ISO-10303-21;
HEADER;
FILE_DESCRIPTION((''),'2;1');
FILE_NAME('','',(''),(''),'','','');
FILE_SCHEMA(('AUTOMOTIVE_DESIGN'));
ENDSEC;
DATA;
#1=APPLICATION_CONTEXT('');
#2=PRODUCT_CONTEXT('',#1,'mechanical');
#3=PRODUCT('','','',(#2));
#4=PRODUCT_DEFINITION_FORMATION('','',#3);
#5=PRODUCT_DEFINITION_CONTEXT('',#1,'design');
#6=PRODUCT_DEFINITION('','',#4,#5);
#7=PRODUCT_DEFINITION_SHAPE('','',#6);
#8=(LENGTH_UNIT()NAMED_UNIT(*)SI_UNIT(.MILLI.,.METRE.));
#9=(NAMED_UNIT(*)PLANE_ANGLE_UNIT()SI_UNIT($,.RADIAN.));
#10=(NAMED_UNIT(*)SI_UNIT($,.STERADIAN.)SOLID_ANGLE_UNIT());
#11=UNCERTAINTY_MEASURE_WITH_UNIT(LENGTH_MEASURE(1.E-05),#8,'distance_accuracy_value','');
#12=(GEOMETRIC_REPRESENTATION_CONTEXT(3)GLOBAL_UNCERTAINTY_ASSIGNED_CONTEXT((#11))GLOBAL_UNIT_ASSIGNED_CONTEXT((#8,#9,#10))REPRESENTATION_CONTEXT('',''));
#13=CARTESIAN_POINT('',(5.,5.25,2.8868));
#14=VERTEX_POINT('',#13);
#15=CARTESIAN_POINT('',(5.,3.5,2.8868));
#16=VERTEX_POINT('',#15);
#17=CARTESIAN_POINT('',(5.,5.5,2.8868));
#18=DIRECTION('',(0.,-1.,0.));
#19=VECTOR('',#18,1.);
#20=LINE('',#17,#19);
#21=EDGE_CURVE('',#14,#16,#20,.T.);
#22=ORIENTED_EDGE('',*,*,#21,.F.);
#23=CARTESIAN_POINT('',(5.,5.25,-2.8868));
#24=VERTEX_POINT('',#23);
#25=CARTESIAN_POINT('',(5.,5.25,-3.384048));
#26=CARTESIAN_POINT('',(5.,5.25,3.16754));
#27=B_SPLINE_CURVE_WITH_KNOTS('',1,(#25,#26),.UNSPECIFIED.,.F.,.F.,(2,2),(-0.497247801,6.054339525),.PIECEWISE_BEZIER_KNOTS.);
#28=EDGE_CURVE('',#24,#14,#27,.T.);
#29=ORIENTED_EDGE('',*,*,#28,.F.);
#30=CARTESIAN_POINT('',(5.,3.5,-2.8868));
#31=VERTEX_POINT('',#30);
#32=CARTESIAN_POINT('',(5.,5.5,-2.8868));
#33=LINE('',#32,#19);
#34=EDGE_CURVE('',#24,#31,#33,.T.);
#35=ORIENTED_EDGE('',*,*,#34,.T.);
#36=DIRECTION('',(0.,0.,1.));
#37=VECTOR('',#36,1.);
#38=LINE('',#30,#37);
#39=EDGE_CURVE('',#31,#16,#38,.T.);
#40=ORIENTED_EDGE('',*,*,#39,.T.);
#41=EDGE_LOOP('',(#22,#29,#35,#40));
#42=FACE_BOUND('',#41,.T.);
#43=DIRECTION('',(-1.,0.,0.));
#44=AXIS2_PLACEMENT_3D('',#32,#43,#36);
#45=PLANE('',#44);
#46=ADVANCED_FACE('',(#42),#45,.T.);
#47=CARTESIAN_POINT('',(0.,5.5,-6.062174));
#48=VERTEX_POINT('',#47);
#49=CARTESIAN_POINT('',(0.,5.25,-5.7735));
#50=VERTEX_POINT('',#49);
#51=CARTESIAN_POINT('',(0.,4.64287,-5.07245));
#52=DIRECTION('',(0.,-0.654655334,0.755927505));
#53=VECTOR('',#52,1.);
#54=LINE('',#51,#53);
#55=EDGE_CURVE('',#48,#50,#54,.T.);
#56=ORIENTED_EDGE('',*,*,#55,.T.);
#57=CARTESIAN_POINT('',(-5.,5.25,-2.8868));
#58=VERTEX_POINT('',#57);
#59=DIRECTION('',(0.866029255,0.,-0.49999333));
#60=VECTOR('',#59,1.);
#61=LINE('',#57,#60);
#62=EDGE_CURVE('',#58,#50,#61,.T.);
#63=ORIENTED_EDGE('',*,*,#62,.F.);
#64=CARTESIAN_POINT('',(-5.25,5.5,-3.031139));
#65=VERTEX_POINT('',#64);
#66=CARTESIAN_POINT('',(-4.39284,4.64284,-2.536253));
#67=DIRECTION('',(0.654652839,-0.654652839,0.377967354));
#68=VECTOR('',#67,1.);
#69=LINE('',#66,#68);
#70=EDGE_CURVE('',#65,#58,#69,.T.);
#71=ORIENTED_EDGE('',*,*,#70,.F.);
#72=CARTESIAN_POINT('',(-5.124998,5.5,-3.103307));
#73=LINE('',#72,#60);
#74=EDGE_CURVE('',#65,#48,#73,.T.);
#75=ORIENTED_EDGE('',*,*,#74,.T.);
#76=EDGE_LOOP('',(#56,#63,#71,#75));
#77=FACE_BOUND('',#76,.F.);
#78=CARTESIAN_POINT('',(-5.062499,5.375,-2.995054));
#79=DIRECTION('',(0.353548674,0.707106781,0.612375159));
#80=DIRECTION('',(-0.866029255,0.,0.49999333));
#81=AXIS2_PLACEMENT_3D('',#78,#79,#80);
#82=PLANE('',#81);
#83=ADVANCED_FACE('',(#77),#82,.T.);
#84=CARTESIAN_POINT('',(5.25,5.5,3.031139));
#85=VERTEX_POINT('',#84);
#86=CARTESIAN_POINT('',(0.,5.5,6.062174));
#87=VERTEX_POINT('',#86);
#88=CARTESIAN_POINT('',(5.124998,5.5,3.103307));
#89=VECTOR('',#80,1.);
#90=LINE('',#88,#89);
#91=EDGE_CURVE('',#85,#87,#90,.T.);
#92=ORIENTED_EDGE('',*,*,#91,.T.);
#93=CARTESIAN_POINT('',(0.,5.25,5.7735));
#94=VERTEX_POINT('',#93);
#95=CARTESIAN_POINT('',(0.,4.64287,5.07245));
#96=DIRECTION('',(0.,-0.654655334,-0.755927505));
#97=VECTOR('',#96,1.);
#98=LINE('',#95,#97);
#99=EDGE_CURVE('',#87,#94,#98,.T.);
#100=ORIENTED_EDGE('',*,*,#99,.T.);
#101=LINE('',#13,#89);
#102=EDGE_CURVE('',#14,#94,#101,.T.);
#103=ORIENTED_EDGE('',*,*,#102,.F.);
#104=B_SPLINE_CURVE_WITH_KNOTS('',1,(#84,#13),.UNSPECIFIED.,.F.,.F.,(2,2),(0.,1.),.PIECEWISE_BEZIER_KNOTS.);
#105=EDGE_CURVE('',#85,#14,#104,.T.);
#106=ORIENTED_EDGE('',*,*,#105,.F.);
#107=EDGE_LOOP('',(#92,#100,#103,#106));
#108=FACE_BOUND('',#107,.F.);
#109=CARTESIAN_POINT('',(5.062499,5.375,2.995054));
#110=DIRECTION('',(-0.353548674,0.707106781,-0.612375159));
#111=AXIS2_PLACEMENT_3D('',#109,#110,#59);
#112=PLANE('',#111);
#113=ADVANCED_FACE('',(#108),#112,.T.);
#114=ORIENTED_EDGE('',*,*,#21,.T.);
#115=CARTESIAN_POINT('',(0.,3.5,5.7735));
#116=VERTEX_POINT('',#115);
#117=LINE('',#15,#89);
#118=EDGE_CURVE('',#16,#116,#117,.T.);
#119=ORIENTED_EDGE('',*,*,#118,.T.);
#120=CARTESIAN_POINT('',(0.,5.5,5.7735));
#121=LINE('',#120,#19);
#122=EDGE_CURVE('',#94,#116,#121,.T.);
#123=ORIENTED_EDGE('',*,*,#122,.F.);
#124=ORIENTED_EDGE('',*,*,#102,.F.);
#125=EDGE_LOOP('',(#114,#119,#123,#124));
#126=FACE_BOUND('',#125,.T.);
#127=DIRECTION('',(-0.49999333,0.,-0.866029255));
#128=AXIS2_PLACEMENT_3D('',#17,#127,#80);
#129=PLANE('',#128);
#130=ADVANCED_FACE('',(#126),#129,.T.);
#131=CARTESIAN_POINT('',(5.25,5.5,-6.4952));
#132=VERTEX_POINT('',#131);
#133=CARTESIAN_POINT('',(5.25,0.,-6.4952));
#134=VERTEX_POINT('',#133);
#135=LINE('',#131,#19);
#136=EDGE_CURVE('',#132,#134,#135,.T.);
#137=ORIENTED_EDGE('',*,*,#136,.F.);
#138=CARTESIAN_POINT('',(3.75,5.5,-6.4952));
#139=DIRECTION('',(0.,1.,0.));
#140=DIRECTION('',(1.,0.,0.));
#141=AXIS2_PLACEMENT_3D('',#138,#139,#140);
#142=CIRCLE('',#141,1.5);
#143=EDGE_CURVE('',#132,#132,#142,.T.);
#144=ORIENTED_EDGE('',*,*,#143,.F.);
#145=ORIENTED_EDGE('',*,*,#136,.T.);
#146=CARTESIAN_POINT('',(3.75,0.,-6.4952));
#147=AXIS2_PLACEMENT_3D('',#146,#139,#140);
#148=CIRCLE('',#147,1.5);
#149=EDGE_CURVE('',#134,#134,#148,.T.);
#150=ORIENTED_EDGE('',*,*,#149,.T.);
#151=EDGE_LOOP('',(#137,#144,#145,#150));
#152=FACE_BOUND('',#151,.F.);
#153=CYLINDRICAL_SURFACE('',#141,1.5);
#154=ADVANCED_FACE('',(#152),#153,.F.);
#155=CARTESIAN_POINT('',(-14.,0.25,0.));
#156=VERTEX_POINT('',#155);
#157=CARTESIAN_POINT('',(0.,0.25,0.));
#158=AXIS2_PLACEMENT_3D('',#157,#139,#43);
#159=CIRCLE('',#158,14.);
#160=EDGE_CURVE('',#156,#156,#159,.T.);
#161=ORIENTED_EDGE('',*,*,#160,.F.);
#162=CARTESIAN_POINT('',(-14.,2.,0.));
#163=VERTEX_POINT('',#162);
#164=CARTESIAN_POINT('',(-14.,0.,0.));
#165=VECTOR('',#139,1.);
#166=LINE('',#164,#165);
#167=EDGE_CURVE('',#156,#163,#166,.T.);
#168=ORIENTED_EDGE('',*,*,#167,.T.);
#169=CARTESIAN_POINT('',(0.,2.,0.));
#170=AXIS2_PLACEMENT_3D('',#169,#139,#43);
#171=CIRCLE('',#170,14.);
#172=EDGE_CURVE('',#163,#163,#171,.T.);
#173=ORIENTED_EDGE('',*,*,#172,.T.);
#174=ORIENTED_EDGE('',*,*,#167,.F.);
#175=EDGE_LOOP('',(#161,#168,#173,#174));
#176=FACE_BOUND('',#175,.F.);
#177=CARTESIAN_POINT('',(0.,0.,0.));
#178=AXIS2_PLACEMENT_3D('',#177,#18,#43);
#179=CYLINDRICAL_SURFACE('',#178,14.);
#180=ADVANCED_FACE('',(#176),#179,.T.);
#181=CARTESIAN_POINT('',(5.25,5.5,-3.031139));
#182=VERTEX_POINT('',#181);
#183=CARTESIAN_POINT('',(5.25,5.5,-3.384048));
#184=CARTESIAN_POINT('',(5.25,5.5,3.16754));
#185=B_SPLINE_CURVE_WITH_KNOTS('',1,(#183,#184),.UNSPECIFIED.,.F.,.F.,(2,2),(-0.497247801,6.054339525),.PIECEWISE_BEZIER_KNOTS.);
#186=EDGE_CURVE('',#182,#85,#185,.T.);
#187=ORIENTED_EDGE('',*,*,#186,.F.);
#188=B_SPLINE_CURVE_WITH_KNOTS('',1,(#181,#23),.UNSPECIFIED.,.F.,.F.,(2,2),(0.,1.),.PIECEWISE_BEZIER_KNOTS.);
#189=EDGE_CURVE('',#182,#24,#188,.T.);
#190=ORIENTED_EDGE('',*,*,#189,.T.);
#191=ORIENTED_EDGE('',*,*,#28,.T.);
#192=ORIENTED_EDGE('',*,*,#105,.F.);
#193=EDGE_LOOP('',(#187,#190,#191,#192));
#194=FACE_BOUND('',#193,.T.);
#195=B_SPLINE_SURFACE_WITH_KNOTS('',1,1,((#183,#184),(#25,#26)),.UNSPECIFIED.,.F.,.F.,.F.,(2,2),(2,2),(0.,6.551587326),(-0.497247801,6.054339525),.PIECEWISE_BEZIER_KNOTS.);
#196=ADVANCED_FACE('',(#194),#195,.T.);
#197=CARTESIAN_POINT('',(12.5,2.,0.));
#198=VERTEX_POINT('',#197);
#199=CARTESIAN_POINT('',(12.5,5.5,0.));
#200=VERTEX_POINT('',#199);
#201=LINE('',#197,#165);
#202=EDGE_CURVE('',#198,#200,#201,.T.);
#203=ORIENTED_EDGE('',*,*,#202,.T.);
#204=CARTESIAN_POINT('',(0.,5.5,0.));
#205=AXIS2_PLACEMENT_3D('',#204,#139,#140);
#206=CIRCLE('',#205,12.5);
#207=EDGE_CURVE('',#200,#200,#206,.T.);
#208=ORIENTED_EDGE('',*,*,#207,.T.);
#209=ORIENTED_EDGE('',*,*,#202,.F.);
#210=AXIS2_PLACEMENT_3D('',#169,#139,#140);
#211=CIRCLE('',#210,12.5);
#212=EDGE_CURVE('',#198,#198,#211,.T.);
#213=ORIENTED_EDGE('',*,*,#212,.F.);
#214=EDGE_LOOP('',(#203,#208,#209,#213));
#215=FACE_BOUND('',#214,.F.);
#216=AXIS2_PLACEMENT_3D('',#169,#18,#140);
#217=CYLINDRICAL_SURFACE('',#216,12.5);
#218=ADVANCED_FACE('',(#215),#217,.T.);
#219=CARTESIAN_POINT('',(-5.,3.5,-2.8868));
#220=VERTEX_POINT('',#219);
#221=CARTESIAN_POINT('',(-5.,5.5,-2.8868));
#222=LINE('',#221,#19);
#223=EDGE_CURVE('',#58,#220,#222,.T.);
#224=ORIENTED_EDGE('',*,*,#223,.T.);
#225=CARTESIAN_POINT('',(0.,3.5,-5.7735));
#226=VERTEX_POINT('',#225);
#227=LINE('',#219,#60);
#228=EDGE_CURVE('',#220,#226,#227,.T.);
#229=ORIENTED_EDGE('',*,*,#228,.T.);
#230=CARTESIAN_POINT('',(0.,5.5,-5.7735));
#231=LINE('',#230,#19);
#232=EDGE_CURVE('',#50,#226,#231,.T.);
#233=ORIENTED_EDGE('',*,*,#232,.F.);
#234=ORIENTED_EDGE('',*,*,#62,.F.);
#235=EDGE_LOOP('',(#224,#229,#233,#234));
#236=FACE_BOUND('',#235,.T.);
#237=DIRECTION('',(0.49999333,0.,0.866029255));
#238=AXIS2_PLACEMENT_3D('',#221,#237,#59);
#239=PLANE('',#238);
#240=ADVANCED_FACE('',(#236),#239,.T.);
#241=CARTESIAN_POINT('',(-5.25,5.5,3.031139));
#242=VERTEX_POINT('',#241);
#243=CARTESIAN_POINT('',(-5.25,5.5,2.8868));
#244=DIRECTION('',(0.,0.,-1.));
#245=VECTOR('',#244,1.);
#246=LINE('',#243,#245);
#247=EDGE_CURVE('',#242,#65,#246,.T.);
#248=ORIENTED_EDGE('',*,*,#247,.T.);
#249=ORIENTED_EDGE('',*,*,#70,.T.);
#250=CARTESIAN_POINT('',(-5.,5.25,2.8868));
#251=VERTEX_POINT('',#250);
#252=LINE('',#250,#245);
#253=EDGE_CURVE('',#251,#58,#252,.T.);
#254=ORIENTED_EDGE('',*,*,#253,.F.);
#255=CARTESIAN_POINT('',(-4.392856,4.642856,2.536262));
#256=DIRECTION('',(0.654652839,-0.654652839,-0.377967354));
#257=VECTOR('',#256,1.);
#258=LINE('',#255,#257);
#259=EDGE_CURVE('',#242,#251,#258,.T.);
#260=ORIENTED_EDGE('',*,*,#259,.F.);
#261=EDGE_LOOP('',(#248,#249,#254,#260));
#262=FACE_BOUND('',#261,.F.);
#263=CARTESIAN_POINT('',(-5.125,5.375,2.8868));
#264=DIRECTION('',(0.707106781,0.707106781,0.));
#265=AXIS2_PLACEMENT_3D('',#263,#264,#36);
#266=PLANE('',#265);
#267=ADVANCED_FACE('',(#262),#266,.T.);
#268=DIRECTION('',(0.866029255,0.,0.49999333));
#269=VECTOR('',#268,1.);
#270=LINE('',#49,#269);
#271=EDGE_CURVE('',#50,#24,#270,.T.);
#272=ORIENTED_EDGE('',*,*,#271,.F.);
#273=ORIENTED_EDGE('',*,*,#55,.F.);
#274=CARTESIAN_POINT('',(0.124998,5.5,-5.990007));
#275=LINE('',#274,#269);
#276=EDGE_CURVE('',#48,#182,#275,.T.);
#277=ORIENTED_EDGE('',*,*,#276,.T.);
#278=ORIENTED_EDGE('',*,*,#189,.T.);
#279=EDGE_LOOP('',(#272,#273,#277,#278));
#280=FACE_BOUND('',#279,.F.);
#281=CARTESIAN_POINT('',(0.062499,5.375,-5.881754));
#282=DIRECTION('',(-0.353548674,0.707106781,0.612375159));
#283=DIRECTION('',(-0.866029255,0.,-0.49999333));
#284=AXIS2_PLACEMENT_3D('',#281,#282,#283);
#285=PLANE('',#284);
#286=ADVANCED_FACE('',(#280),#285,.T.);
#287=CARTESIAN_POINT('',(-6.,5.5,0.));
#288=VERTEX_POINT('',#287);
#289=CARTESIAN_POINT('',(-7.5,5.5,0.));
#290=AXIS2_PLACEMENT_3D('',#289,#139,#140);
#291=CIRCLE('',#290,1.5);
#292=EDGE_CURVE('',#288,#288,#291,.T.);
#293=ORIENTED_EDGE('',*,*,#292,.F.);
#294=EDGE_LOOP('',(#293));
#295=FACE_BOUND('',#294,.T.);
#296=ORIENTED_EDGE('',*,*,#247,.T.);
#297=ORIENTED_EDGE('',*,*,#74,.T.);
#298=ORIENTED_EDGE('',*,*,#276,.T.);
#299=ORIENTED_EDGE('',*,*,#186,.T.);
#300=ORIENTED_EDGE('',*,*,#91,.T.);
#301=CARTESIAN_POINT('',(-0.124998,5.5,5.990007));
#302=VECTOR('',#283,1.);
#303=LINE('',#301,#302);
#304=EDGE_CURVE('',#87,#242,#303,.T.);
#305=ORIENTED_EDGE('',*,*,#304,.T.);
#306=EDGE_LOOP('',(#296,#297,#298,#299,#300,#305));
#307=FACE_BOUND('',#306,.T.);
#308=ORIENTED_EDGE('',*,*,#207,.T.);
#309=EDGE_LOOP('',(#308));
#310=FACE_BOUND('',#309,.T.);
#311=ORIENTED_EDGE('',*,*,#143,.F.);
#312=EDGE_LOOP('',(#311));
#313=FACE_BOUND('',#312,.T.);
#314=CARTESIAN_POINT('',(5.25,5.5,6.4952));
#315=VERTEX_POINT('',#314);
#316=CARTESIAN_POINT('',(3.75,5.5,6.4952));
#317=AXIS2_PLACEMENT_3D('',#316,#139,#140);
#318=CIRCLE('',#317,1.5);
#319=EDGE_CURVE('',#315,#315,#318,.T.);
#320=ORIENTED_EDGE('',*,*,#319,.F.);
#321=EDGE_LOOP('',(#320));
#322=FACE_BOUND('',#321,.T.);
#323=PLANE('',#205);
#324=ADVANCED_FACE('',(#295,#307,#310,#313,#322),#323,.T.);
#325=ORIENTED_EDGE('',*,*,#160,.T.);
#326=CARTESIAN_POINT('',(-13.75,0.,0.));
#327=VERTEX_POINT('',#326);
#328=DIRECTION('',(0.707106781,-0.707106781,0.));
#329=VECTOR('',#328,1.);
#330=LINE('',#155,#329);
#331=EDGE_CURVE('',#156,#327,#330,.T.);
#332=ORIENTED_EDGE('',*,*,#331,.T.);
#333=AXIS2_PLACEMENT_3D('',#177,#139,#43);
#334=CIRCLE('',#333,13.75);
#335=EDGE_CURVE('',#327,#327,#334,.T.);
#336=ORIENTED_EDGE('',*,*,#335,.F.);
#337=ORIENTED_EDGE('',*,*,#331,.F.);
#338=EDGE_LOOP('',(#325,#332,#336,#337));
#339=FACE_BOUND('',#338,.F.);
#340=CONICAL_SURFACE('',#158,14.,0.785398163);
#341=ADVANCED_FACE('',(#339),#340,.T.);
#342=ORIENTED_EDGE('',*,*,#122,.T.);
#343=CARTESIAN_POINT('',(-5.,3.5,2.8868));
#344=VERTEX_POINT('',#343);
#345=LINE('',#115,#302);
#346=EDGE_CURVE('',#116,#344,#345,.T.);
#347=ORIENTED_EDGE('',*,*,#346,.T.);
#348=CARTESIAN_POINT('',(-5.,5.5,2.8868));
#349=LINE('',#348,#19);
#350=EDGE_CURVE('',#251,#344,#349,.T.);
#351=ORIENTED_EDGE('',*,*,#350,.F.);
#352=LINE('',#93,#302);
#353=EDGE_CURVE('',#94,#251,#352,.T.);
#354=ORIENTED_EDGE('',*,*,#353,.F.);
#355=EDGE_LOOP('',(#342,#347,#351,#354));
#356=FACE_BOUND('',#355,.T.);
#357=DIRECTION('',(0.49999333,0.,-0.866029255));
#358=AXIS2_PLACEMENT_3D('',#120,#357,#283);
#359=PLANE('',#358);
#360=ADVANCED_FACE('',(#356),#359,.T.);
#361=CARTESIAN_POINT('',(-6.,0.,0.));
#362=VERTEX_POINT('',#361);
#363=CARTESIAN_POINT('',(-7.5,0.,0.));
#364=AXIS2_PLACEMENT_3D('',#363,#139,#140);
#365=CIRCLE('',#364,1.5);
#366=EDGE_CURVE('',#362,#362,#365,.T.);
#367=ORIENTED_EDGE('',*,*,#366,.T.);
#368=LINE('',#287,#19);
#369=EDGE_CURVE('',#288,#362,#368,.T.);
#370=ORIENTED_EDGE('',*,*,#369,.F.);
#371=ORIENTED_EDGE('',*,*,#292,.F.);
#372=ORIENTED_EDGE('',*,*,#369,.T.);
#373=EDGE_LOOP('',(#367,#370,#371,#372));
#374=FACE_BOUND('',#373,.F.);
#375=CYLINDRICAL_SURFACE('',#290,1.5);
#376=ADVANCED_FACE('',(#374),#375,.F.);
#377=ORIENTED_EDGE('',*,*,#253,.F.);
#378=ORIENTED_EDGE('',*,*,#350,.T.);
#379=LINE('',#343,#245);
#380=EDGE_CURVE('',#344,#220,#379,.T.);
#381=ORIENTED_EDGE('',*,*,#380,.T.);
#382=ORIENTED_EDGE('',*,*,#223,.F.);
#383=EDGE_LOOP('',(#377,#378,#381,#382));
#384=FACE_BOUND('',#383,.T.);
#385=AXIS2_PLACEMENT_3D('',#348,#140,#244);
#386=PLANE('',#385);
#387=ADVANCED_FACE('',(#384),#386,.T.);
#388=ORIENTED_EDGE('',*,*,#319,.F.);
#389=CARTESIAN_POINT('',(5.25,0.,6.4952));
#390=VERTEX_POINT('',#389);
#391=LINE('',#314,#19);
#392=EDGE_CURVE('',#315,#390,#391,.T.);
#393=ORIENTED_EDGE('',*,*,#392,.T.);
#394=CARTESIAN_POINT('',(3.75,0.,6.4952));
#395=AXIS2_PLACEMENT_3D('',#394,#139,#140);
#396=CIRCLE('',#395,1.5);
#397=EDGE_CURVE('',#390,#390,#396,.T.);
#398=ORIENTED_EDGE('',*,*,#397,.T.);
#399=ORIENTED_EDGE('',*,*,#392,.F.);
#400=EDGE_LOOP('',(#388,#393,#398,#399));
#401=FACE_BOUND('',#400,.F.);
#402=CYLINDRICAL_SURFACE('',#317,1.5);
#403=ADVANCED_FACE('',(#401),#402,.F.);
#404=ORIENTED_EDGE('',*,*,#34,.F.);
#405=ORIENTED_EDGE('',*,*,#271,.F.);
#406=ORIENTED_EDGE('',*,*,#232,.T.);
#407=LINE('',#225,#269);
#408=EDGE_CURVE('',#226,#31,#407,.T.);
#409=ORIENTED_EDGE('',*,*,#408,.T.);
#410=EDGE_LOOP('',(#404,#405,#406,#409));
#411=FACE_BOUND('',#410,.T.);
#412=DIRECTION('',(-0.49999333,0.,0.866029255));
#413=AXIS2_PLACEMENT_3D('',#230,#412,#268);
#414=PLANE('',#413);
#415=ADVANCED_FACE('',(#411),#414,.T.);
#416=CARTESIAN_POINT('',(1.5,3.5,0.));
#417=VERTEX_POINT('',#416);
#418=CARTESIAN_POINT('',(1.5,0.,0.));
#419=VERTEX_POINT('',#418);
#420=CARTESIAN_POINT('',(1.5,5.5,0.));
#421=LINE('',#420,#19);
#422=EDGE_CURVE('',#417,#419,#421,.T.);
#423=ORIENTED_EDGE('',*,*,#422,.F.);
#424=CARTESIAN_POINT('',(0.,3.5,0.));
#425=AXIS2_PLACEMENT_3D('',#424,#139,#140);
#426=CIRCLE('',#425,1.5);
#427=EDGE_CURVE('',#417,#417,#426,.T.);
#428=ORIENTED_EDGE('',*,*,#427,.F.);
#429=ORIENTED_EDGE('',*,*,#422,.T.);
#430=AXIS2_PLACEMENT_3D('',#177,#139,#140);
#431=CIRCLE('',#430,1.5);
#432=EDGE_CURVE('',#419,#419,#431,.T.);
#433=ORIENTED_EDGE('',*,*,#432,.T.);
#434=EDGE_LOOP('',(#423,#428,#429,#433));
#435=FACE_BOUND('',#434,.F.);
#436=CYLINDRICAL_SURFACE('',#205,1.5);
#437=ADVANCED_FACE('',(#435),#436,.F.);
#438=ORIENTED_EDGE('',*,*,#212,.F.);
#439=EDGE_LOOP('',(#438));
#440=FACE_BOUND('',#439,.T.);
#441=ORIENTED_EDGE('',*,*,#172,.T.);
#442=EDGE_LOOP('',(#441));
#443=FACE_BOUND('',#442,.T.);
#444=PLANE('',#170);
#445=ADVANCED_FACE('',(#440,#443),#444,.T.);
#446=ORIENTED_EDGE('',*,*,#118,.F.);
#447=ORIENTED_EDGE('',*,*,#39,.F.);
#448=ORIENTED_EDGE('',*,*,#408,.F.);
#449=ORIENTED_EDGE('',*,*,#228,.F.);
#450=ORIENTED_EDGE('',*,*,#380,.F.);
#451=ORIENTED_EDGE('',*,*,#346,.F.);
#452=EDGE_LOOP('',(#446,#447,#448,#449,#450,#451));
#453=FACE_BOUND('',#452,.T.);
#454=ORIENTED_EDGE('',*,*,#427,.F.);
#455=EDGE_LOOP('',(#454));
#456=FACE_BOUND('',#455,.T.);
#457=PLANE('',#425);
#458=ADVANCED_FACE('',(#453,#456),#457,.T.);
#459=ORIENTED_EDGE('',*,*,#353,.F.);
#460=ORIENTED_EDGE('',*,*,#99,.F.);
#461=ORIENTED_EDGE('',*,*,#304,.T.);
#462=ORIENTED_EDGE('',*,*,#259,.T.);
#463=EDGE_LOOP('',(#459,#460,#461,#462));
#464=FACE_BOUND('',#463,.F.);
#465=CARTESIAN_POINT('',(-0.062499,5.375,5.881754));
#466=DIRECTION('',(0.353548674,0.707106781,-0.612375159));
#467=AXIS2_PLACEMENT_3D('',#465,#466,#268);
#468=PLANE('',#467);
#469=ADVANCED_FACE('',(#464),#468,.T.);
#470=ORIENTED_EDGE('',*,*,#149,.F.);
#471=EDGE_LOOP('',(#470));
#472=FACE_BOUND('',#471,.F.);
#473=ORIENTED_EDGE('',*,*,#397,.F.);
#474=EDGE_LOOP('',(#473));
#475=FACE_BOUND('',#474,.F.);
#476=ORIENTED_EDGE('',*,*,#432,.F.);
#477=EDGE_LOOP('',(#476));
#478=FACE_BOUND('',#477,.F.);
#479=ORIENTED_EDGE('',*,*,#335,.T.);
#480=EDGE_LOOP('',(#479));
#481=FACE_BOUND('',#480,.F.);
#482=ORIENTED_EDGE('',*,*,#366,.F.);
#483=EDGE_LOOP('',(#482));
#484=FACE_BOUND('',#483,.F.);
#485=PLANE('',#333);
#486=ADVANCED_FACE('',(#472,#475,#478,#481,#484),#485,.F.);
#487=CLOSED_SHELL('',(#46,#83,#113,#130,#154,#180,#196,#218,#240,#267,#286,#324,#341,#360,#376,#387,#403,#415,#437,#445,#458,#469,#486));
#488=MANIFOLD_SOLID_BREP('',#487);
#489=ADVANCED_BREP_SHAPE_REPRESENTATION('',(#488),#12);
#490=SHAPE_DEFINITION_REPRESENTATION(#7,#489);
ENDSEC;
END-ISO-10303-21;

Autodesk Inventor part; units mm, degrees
ref_plane "YZ Plane" through (0, 0, 0) normal (1, 0, 0) x (0, 1, 0)
ref_plane "XZ Plane" through (0, 0, 0) normal (0, 1, 0) x (-1, 0, 0)
ref_plane "XY Plane" through (0, 0, 0) normal (0, 0, 1) x (1, 0, 0)
sketch "Sketch1" plane through (0, 0, 0) normal (0, 1, 0) x (-1, 0, 0)
  circle A0 centre (0, 0) radius 14
  dimension "d0" = 28
extrude "Extrusion1" add sketch "Sketch1" along normal blind 2
sketch "Sketch2" plane through (0, 2, 0) normal (0, 1, 0) x (1, 0, 0)
  circle A0 centre (0, 0) radius 12.5
  dimension "d3" = 25
extrude "Extrusion2" add sketch "Sketch2" along normal blind 3.5
sketch "Sketch3" plane through (0, 5.5, 0) normal (0, 1, 0) x (1, 0, 0)
  line L0 (5, -2.8868) -> (0, -5.7735)
  line L1 (0, -5.7735) -> (-5, -2.8868)
  line L2 (-5, -2.8868) -> (-5, 2.8868)
  line L3 (-5, 2.8868) -> (0, 5.7735)
  line L4 (0, 5.7735) -> (5, 2.8868)
  line L5 (5, 2.8868) -> (5, -2.8868)
  point P0 (0, 0)
  point P1 (0, 0)
  dimension "d6" = 10
extrude "Extrusion3" cut sketch "Sketch3" against normal blind 2
sketch "Sketch4" plane through (0, 5.5, 0) normal (0, 1, 0) x (1, 0, 0)
  circle A0 centre (0, 0) radius 1.5
  circle A1 centre (0, 0) radius 7.5 construction
  circle A2 centre (-7.5, 0) radius 1.5
  circle A3 centre (-3.75, -6.4952) radius 1.5
  circle A4 centre (3.75, -6.4952) radius 1.5
  circle A5 centre (7.5, 0) radius 1.5
  circle A6 centre (3.75, 6.4952) radius 1.5
  circle A7 centre (-3.75, 6.4952) radius 1.5
  dimension "d13" = 15
  dimension "d12" = 3
  dimension "d14" = 3
  dimension "d17" = 360
extrude "Extrusion4" cut sketch "Sketch4" against normal through all contours A0 | A2 | A4 | A6
chamfer "Chamfer2" distance 0.25 angle 45 1 edges at (14, 0, 0)
chamfer "Chamfer3" distance 0.25 angle 45 6 edges at (-5, 5.5, 0) (-2.5, 5.5, 4.3301) (2.5, 5.5, 4.3301) (5, 5.5, 0) (2.5, 5.5, -4.3301) (-2.5, 5.5, -4.3301)
properties part number "Shaft2_Joint2" material "ABS Plastic"
